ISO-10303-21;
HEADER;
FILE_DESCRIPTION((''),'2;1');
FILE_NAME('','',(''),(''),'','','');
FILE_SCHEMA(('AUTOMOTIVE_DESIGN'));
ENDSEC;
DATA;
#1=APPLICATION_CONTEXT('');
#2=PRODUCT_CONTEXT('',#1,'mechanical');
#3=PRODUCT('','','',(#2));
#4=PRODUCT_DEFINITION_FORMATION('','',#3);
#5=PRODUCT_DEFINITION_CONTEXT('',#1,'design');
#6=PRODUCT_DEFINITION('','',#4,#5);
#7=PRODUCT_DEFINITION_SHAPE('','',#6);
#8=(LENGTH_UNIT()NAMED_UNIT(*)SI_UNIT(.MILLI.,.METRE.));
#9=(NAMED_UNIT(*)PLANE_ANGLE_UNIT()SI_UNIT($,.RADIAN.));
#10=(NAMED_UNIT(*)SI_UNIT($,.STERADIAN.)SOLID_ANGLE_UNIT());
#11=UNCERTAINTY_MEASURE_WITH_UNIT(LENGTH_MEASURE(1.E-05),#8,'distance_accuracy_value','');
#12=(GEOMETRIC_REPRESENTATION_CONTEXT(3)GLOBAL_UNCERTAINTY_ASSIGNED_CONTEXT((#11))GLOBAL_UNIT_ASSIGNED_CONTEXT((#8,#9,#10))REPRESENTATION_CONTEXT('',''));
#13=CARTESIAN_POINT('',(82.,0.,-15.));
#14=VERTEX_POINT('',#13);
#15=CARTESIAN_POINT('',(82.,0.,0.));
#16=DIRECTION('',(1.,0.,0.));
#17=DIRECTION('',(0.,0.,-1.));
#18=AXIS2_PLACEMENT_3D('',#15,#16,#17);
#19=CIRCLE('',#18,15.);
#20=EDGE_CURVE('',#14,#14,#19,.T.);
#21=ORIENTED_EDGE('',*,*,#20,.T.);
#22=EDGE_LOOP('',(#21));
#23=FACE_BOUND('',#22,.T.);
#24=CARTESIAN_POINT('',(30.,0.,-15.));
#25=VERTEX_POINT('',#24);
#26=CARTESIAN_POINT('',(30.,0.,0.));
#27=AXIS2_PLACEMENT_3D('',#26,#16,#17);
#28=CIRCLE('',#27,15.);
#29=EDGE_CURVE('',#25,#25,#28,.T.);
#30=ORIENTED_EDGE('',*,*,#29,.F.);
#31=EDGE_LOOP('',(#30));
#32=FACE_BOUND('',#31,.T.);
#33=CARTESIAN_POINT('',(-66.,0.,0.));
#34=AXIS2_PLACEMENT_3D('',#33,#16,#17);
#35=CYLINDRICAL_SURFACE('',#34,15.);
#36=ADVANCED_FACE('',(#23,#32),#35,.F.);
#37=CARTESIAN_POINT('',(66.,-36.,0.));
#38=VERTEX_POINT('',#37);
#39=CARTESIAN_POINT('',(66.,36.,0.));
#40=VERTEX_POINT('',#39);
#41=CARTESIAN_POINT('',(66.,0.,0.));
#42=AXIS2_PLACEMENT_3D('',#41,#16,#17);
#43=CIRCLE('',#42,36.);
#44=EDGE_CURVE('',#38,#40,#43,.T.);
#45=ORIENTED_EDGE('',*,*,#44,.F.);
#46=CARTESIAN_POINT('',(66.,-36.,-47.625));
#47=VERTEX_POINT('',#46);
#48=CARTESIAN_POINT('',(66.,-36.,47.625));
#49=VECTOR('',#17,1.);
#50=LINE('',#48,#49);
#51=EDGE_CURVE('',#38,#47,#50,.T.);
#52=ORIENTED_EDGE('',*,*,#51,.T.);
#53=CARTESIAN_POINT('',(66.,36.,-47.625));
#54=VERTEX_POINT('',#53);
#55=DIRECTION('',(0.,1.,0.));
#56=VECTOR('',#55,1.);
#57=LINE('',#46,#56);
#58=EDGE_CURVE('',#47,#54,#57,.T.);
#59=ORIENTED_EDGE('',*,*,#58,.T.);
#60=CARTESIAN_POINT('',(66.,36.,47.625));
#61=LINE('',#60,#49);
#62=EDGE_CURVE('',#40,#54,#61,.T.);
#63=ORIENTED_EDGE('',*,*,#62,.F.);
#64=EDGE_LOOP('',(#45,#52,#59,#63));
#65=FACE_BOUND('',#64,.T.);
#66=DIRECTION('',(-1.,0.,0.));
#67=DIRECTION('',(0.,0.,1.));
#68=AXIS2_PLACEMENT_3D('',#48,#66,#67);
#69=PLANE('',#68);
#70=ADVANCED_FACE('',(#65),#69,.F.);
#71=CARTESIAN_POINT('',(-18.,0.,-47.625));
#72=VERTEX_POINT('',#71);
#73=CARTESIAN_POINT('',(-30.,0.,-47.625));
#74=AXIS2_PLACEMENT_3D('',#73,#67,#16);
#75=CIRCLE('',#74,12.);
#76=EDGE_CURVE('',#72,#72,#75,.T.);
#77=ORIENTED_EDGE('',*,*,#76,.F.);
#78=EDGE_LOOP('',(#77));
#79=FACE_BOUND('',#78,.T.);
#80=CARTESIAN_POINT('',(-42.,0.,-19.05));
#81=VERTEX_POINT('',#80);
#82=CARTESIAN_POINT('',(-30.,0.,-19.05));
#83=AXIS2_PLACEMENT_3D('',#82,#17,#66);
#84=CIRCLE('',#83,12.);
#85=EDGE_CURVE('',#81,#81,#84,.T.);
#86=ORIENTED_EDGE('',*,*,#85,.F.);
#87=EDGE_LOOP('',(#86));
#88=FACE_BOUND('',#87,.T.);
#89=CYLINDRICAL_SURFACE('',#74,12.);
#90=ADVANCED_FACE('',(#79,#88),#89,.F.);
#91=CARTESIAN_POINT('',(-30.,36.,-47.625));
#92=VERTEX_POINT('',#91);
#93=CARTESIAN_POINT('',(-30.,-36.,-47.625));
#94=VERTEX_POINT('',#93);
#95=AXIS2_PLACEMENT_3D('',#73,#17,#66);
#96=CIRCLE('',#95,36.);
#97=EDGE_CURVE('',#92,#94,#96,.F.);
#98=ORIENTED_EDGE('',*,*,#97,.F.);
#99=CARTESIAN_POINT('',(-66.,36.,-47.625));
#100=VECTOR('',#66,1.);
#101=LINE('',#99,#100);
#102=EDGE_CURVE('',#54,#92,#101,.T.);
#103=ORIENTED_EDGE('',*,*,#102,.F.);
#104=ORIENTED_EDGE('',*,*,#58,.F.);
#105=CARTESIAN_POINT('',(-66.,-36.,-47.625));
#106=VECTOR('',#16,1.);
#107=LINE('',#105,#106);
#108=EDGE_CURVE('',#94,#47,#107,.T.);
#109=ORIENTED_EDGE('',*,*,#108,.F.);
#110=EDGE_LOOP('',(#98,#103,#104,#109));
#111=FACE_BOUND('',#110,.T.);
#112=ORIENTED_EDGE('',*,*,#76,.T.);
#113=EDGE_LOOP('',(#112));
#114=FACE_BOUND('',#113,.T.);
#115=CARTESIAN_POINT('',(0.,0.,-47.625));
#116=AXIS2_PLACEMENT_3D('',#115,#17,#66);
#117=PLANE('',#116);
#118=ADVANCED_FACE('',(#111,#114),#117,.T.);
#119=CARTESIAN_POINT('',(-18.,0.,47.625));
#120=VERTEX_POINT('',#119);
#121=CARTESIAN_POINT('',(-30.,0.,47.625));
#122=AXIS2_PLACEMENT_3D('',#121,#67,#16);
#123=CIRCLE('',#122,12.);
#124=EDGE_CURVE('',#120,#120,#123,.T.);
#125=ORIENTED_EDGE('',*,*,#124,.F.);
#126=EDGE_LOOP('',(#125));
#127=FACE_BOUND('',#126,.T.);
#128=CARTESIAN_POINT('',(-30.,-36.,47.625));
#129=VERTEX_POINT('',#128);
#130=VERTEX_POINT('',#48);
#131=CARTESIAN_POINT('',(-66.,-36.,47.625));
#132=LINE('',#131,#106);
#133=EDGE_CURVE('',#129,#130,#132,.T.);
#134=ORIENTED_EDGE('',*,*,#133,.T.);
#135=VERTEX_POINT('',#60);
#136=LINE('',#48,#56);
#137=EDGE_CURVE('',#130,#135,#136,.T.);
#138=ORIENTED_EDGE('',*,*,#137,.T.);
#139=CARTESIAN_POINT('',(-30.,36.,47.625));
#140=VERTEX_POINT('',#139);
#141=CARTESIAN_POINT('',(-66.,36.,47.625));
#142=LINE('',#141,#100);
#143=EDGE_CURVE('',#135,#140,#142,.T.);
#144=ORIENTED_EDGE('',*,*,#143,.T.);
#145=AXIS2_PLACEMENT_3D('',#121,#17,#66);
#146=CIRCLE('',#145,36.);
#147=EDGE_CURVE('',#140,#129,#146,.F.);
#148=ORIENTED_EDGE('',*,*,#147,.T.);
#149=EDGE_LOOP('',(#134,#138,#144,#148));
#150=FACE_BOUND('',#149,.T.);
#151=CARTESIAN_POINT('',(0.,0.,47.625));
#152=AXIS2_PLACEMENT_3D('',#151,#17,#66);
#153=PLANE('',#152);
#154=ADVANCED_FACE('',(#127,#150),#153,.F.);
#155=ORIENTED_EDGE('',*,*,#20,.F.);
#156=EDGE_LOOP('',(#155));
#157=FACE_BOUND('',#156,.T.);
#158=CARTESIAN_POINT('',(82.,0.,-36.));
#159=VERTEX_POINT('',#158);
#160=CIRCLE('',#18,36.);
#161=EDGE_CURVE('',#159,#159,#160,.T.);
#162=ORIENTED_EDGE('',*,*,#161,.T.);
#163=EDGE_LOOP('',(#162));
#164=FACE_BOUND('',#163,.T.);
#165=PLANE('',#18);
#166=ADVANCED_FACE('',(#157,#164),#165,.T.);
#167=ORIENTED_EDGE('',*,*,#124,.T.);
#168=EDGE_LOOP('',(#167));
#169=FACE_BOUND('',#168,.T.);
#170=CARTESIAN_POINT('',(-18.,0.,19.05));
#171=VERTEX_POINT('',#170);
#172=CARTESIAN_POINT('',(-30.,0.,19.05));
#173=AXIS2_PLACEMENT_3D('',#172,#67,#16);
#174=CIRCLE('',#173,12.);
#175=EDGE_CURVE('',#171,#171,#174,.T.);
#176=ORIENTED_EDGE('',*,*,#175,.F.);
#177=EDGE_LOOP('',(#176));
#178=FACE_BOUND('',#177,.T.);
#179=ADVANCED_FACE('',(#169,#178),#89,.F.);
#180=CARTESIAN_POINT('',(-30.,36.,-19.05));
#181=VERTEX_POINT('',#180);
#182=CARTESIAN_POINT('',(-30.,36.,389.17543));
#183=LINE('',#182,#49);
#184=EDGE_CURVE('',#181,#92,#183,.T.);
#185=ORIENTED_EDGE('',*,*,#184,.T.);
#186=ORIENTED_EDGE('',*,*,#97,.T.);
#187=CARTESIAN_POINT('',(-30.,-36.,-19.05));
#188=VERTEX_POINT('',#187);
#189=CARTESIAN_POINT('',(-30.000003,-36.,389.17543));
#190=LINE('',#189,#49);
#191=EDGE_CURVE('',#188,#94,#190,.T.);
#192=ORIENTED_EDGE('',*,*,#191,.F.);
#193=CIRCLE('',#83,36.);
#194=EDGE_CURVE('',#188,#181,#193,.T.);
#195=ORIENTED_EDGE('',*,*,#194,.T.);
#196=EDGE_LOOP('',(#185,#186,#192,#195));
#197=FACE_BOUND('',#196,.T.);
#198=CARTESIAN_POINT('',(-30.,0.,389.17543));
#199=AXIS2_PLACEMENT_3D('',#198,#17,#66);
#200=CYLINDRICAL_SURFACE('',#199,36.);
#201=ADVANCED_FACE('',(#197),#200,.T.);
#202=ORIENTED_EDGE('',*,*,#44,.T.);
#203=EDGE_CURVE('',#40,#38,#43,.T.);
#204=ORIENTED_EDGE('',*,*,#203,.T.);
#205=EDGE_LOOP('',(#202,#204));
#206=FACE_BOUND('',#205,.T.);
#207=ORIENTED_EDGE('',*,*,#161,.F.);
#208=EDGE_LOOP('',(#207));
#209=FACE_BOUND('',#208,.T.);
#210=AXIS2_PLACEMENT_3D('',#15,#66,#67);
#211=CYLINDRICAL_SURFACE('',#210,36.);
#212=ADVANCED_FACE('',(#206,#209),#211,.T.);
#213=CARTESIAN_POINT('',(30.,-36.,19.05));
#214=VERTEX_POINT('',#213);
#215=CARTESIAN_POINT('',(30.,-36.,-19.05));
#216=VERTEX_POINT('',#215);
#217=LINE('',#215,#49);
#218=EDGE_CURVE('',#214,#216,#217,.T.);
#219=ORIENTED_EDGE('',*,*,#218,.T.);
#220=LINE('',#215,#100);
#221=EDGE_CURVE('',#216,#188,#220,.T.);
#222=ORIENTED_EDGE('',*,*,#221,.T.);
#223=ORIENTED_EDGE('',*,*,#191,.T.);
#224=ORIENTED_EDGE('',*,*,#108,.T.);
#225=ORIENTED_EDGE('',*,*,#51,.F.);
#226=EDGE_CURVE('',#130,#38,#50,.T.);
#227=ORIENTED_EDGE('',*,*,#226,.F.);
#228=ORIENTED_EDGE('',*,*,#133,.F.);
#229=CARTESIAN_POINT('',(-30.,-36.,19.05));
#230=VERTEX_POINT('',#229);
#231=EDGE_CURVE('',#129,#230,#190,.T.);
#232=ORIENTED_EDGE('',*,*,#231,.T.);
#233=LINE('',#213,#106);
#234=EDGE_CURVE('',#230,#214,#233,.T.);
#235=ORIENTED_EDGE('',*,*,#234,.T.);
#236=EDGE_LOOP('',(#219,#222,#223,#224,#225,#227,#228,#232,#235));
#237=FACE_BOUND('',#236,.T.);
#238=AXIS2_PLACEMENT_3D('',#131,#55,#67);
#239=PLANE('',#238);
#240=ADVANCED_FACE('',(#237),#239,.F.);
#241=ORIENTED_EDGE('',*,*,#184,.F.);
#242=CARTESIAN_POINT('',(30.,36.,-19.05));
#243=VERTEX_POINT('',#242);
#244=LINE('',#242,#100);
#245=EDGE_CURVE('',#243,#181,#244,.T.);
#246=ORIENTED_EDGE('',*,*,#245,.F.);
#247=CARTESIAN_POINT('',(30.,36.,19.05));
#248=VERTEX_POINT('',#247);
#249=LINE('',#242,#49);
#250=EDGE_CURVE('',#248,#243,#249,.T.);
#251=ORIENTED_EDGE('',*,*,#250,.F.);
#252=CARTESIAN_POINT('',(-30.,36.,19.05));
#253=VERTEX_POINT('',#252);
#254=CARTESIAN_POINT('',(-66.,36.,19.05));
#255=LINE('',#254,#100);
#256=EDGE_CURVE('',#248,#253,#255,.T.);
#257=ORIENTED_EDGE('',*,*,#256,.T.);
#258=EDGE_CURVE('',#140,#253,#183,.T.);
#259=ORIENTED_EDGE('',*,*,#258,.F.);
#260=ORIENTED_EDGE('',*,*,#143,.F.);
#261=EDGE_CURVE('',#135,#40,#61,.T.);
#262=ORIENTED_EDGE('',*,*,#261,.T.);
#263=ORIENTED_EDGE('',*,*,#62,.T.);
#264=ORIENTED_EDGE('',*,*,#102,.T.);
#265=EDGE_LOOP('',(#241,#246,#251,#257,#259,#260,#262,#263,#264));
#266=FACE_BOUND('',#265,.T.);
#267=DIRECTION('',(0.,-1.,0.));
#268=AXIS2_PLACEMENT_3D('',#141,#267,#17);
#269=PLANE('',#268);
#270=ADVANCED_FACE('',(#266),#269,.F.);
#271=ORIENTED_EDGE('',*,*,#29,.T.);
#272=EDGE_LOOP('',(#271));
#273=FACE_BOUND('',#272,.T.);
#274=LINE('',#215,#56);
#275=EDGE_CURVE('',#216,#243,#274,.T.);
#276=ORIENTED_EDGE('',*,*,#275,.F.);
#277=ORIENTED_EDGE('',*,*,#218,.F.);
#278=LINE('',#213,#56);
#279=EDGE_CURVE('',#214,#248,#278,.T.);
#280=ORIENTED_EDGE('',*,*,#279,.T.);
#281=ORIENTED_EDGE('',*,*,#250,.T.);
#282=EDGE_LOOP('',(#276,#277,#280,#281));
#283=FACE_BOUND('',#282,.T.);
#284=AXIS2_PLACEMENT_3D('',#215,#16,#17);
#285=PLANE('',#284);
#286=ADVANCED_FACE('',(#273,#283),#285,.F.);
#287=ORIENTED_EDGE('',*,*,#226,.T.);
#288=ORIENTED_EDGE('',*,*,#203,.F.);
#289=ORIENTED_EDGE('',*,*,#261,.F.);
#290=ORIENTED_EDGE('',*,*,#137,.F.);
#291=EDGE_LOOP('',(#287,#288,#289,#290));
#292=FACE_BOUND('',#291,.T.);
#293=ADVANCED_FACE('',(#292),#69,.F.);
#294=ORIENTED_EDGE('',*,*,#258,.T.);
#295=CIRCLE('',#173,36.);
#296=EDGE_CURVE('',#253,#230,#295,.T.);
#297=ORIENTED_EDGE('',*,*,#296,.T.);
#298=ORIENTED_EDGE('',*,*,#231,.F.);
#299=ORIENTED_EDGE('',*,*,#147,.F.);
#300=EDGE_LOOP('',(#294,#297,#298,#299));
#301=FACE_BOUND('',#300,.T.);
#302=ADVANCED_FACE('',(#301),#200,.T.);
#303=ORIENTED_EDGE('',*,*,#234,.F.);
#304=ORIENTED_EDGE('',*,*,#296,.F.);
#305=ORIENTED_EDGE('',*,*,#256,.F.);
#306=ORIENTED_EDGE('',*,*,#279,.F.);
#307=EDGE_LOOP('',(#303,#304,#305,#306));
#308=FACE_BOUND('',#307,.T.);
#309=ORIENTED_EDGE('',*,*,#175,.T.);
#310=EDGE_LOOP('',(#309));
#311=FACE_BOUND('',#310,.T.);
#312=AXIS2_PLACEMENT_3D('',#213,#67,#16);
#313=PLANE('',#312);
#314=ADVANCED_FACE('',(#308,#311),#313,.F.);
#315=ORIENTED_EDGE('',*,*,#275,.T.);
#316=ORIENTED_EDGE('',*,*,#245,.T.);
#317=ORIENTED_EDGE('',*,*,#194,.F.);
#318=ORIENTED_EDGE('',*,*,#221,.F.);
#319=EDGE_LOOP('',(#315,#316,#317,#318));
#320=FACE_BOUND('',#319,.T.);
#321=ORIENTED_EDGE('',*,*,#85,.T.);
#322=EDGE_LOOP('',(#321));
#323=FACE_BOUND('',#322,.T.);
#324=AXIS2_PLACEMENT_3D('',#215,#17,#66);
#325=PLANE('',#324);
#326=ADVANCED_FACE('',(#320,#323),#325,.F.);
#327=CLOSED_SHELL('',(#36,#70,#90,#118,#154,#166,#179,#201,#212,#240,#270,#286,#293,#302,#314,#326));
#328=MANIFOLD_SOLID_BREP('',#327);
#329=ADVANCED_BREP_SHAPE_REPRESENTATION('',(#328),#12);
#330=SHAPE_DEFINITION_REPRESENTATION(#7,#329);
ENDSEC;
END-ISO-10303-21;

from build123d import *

# Parameters (mm, degrees)
SKETCH1_W               = 132
SKETCH1_H               = 72
BOSS_EXTRUDE1_DEPTH     = 47.625
CUT_EXTRUDE1_DEPTH      = 1
CUT_EXTRUDE1_DEPTH_BACK = 96.25
SKETCH3_W               = 96
SKETCH3_H               = 38.1
CUT_EXTRUDE2_DEPTH      = 73
SKETCH4_R               = 15
CUT_EXTRUDE3_DEPTH      = 133
SKETCH5_R               = 36
SKETCH5_R_2             = 15
BOSS_EXTRUDE2_DEPTH     = 16
SKETCH6_R               = 12
CUT_EXTRUDE4_DEPTH      = 96.25


with BuildPart() as part:
    # Sketch1 → Boss-Extrude1 (new body, symmetric)
    with BuildSketch(Plane.XY):
        Rectangle(SKETCH1_W, SKETCH1_H)
    extrude(amount=BOSS_EXTRUDE1_DEPTH, both=True)

    # Sketch2 → Cut-Extrude1 (cut, two sides)
    with BuildSketch(Plane.XY.offset(47.625)) as cut_extrude1_sk:
        with BuildLine():
            Line((220.000004886, 36), (-30, 36))
            ThreePointArc((-30, 36), (-66, 1.527e-06), (-30.000003054, -36))
            Line((-30.000003054, -36), (220.000001832, -36.000021206))
            Line((220.000001832, -36.000021206), (-280.000007939, -36))
            Line((-280.000007939, -36), (-280.000004886, 36.000021206))
            Line((-280.000004886, 36.000021206), (220.000004886, 36))
        make_face()
    extrude(amount=CUT_EXTRUDE1_DEPTH, mode=Mode.SUBTRACT)
    extrude(cut_extrude1_sk.sketch, amount=-CUT_EXTRUDE1_DEPTH_BACK, mode=Mode.SUBTRACT)

    # Sketch3 → Cut-Extrude2 (cut, through all)
    with BuildSketch(Plane(origin=(0, 36, 0), x_dir=(1, 0, 0), z_dir=(0, 1, 0))):
        with Locations((-18, 0)):
            Rectangle(SKETCH3_W, SKETCH3_H)
    extrude(amount=-CUT_EXTRUDE2_DEPTH, mode=Mode.SUBTRACT)

    # Sketch4 → Cut-Extrude3 (cut, through all)
    with BuildSketch(Plane(origin=(66, 0, 0), x_dir=(0, 0, -1), z_dir=(1, 0, 0))):
        Circle(SKETCH4_R)
    extrude(amount=-CUT_EXTRUDE3_DEPTH, mode=Mode.SUBTRACT)

    # Sketch5 → Boss-Extrude2 (add)
    with BuildSketch(Plane(origin=(66, 0, 0), x_dir=(0, 0, -1), z_dir=(1, 0, 0))):
        Circle(SKETCH5_R)
        Circle(SKETCH5_R_2, mode=Mode.SUBTRACT)
    extrude(amount=BOSS_EXTRUDE2_DEPTH)

    # Sketch6 → Cut-Extrude4 (cut, through all)
    with BuildSketch(Plane.XY.offset(47.625)):
        with Locations((-30, 0)):
            Circle(SKETCH6_R)
    extrude(amount=-CUT_EXTRUDE4_DEPTH, mode=Mode.SUBTRACT)


solid = part.part
